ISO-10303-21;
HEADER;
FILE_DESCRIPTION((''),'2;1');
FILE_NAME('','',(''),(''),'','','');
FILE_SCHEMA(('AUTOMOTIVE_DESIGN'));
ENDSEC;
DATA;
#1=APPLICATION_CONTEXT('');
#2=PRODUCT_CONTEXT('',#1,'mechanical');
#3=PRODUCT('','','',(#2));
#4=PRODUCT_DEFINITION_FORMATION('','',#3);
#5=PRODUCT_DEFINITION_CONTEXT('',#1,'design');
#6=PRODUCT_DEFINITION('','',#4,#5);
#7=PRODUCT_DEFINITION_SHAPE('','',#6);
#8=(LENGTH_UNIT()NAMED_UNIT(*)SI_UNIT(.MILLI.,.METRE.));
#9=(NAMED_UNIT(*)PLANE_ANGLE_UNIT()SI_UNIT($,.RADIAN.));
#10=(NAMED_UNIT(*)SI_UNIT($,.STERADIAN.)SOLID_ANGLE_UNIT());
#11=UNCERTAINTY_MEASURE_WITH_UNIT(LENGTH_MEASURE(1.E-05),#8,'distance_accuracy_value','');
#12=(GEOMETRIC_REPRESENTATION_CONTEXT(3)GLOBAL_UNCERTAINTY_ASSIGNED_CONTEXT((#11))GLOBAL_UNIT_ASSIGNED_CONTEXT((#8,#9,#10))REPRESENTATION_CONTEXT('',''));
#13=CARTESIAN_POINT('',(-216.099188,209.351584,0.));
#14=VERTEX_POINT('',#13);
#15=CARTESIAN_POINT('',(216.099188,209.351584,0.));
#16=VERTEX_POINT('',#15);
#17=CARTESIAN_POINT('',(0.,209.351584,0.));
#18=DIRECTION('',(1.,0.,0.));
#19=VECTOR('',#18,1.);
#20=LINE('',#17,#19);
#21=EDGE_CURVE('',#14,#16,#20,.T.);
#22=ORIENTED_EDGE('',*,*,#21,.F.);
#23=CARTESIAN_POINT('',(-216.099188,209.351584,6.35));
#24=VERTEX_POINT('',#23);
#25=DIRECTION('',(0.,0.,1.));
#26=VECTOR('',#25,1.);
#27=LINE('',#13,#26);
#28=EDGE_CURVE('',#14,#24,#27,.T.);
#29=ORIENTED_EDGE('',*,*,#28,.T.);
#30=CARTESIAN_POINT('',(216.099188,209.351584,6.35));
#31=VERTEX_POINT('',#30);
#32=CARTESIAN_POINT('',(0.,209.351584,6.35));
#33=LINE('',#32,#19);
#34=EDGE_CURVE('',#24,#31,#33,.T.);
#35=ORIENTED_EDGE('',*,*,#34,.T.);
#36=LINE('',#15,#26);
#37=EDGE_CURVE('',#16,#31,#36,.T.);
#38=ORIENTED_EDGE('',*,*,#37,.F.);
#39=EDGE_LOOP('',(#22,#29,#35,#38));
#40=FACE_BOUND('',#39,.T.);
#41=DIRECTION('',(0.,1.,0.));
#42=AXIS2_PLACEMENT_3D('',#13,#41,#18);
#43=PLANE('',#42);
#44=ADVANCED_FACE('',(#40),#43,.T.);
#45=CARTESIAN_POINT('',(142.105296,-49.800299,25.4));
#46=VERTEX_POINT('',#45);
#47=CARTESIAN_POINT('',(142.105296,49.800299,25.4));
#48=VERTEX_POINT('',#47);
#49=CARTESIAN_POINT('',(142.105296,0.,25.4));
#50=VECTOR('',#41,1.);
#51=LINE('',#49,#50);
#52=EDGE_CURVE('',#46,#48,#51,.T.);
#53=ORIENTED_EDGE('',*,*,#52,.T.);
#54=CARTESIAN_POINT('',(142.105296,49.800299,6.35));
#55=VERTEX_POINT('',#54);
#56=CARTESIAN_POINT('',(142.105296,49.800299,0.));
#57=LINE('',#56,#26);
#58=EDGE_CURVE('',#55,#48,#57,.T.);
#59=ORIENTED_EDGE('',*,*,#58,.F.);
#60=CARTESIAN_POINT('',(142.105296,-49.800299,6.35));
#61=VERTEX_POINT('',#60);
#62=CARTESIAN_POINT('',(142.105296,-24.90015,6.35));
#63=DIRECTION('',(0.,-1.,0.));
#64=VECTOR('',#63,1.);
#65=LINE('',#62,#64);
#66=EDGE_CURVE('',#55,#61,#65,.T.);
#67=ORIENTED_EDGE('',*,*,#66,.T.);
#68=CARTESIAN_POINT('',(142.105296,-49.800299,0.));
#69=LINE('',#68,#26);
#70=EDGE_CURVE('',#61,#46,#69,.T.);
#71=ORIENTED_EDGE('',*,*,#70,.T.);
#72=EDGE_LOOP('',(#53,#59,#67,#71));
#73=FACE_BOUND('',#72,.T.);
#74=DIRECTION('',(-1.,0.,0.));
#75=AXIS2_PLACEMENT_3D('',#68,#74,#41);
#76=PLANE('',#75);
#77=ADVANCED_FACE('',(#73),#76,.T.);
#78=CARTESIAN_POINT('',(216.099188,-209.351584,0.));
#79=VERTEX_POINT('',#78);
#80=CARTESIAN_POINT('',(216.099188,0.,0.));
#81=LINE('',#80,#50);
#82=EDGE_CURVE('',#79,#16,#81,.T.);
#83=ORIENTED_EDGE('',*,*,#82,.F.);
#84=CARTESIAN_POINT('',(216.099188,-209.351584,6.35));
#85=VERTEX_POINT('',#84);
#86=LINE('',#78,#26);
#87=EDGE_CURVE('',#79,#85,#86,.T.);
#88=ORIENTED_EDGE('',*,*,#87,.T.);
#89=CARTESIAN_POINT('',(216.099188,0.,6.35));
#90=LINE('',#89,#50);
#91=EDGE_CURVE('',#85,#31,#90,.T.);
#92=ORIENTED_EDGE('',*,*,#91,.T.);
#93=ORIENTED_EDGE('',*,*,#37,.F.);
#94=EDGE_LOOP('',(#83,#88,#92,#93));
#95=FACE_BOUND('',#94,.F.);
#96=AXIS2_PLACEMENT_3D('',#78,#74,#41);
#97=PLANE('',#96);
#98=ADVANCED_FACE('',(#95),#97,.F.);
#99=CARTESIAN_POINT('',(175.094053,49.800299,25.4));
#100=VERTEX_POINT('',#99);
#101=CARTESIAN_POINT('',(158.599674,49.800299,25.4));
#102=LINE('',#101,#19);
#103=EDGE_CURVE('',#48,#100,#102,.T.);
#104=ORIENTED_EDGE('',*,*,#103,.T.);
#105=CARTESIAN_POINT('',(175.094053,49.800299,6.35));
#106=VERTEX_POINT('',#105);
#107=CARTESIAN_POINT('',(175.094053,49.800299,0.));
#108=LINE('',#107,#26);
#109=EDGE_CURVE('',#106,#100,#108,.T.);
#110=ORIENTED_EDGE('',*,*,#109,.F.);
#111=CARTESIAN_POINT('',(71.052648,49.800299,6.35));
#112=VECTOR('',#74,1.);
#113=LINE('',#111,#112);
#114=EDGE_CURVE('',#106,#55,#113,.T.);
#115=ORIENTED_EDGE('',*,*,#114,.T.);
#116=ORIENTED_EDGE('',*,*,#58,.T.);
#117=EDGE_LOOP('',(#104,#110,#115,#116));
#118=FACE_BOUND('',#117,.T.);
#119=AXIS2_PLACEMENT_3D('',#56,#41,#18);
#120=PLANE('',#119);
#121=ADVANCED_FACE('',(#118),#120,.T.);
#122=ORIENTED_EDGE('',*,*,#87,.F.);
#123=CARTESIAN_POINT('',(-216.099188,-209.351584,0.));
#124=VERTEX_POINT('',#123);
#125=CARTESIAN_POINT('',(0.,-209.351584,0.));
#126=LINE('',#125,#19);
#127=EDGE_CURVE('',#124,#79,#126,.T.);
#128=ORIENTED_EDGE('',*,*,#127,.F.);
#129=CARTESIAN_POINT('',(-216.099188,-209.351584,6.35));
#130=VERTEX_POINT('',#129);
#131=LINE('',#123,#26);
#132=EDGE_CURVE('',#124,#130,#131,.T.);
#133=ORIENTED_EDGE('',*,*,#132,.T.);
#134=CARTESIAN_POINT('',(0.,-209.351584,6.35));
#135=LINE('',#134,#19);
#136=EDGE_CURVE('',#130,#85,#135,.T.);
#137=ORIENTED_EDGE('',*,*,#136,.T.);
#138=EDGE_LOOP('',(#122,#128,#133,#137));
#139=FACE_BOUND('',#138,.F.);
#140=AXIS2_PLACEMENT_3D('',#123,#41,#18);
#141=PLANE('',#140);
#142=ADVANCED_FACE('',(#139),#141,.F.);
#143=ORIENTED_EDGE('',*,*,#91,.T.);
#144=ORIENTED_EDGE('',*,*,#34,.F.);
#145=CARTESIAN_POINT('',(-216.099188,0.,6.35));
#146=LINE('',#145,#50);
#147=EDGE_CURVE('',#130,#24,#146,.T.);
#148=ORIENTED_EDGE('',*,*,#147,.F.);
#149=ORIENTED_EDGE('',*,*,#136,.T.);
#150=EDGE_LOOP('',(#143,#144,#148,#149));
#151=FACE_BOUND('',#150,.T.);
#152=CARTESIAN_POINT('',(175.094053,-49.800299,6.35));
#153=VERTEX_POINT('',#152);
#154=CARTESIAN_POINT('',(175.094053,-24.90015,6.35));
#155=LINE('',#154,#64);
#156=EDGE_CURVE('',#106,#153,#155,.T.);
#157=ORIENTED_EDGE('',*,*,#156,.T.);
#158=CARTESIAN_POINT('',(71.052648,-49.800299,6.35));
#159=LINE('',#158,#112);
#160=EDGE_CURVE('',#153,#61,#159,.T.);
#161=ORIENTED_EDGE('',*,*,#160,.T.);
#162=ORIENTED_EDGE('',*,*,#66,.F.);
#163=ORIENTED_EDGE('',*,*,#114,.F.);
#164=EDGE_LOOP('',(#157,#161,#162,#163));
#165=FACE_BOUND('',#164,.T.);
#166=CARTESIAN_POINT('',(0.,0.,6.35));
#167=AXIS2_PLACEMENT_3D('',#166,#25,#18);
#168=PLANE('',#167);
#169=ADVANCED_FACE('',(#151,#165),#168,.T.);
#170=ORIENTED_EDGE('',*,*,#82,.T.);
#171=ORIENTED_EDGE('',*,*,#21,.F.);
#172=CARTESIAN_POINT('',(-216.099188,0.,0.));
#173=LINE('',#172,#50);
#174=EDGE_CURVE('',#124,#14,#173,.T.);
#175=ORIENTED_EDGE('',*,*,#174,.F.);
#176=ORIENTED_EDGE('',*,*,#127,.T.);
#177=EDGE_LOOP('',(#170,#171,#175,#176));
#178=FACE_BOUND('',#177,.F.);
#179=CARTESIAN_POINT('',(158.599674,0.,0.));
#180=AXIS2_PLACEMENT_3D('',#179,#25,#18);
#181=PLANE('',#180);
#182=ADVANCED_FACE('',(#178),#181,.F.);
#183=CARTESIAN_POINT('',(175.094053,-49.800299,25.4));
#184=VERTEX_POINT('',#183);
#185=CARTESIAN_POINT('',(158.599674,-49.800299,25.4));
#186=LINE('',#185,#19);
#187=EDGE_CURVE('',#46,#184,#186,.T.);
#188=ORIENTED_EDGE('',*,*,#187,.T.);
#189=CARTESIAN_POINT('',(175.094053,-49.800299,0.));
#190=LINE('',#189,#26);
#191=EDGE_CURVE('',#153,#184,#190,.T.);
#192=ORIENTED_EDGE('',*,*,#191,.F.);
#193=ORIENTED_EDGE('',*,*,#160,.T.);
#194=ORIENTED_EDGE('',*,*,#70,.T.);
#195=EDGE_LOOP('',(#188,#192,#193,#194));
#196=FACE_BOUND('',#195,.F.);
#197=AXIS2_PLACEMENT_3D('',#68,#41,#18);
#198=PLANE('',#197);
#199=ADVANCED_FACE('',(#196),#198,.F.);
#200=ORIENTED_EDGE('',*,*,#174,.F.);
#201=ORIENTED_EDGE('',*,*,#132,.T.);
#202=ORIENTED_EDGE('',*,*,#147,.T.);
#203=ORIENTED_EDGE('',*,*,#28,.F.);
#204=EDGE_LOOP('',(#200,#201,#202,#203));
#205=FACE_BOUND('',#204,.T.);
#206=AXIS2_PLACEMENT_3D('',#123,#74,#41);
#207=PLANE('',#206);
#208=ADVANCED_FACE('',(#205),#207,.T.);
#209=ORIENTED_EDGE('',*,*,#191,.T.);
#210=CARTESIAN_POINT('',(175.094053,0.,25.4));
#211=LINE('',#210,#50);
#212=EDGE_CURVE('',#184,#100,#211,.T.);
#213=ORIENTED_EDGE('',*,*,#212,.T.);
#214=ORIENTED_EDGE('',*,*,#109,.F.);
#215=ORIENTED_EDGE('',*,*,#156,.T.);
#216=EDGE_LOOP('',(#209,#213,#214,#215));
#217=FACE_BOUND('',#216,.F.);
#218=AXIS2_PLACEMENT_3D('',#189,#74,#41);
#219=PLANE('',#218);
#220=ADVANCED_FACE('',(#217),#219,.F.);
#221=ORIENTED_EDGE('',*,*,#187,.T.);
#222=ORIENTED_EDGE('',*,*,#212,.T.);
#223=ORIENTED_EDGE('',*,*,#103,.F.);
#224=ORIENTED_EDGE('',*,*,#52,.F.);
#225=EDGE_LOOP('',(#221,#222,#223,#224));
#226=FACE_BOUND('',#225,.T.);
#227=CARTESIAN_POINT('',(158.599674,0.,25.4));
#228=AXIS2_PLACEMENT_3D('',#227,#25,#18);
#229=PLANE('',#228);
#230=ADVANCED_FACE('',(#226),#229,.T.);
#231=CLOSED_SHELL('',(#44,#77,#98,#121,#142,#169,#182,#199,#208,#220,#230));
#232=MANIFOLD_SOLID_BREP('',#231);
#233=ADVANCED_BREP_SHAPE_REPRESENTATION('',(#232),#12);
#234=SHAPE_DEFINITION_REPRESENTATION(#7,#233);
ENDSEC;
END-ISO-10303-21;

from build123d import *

# Parameters (mm, degrees)
F0_W     = 432.198376
F0_H     = 418.703168
F1_DEPTH = 6.35
F2_W     = 32.988757
F2_H     = 99.600598
F3_DEPTH = 25.4


with BuildPart() as f1:
    # F0 (on Top) → F1 (new body)
    with BuildSketch(Plane.XY):
        Rectangle(F0_W, F0_H)
    extrude(amount=F1_DEPTH)

    # F2 (on Top) → F3 (join)
    with BuildSketch(Plane.XY):
        with Locations((158.599674, 0)):
            Rectangle(F2_W, F2_H)
    extrude(amount=F3_DEPTH)


solid = f1.part
